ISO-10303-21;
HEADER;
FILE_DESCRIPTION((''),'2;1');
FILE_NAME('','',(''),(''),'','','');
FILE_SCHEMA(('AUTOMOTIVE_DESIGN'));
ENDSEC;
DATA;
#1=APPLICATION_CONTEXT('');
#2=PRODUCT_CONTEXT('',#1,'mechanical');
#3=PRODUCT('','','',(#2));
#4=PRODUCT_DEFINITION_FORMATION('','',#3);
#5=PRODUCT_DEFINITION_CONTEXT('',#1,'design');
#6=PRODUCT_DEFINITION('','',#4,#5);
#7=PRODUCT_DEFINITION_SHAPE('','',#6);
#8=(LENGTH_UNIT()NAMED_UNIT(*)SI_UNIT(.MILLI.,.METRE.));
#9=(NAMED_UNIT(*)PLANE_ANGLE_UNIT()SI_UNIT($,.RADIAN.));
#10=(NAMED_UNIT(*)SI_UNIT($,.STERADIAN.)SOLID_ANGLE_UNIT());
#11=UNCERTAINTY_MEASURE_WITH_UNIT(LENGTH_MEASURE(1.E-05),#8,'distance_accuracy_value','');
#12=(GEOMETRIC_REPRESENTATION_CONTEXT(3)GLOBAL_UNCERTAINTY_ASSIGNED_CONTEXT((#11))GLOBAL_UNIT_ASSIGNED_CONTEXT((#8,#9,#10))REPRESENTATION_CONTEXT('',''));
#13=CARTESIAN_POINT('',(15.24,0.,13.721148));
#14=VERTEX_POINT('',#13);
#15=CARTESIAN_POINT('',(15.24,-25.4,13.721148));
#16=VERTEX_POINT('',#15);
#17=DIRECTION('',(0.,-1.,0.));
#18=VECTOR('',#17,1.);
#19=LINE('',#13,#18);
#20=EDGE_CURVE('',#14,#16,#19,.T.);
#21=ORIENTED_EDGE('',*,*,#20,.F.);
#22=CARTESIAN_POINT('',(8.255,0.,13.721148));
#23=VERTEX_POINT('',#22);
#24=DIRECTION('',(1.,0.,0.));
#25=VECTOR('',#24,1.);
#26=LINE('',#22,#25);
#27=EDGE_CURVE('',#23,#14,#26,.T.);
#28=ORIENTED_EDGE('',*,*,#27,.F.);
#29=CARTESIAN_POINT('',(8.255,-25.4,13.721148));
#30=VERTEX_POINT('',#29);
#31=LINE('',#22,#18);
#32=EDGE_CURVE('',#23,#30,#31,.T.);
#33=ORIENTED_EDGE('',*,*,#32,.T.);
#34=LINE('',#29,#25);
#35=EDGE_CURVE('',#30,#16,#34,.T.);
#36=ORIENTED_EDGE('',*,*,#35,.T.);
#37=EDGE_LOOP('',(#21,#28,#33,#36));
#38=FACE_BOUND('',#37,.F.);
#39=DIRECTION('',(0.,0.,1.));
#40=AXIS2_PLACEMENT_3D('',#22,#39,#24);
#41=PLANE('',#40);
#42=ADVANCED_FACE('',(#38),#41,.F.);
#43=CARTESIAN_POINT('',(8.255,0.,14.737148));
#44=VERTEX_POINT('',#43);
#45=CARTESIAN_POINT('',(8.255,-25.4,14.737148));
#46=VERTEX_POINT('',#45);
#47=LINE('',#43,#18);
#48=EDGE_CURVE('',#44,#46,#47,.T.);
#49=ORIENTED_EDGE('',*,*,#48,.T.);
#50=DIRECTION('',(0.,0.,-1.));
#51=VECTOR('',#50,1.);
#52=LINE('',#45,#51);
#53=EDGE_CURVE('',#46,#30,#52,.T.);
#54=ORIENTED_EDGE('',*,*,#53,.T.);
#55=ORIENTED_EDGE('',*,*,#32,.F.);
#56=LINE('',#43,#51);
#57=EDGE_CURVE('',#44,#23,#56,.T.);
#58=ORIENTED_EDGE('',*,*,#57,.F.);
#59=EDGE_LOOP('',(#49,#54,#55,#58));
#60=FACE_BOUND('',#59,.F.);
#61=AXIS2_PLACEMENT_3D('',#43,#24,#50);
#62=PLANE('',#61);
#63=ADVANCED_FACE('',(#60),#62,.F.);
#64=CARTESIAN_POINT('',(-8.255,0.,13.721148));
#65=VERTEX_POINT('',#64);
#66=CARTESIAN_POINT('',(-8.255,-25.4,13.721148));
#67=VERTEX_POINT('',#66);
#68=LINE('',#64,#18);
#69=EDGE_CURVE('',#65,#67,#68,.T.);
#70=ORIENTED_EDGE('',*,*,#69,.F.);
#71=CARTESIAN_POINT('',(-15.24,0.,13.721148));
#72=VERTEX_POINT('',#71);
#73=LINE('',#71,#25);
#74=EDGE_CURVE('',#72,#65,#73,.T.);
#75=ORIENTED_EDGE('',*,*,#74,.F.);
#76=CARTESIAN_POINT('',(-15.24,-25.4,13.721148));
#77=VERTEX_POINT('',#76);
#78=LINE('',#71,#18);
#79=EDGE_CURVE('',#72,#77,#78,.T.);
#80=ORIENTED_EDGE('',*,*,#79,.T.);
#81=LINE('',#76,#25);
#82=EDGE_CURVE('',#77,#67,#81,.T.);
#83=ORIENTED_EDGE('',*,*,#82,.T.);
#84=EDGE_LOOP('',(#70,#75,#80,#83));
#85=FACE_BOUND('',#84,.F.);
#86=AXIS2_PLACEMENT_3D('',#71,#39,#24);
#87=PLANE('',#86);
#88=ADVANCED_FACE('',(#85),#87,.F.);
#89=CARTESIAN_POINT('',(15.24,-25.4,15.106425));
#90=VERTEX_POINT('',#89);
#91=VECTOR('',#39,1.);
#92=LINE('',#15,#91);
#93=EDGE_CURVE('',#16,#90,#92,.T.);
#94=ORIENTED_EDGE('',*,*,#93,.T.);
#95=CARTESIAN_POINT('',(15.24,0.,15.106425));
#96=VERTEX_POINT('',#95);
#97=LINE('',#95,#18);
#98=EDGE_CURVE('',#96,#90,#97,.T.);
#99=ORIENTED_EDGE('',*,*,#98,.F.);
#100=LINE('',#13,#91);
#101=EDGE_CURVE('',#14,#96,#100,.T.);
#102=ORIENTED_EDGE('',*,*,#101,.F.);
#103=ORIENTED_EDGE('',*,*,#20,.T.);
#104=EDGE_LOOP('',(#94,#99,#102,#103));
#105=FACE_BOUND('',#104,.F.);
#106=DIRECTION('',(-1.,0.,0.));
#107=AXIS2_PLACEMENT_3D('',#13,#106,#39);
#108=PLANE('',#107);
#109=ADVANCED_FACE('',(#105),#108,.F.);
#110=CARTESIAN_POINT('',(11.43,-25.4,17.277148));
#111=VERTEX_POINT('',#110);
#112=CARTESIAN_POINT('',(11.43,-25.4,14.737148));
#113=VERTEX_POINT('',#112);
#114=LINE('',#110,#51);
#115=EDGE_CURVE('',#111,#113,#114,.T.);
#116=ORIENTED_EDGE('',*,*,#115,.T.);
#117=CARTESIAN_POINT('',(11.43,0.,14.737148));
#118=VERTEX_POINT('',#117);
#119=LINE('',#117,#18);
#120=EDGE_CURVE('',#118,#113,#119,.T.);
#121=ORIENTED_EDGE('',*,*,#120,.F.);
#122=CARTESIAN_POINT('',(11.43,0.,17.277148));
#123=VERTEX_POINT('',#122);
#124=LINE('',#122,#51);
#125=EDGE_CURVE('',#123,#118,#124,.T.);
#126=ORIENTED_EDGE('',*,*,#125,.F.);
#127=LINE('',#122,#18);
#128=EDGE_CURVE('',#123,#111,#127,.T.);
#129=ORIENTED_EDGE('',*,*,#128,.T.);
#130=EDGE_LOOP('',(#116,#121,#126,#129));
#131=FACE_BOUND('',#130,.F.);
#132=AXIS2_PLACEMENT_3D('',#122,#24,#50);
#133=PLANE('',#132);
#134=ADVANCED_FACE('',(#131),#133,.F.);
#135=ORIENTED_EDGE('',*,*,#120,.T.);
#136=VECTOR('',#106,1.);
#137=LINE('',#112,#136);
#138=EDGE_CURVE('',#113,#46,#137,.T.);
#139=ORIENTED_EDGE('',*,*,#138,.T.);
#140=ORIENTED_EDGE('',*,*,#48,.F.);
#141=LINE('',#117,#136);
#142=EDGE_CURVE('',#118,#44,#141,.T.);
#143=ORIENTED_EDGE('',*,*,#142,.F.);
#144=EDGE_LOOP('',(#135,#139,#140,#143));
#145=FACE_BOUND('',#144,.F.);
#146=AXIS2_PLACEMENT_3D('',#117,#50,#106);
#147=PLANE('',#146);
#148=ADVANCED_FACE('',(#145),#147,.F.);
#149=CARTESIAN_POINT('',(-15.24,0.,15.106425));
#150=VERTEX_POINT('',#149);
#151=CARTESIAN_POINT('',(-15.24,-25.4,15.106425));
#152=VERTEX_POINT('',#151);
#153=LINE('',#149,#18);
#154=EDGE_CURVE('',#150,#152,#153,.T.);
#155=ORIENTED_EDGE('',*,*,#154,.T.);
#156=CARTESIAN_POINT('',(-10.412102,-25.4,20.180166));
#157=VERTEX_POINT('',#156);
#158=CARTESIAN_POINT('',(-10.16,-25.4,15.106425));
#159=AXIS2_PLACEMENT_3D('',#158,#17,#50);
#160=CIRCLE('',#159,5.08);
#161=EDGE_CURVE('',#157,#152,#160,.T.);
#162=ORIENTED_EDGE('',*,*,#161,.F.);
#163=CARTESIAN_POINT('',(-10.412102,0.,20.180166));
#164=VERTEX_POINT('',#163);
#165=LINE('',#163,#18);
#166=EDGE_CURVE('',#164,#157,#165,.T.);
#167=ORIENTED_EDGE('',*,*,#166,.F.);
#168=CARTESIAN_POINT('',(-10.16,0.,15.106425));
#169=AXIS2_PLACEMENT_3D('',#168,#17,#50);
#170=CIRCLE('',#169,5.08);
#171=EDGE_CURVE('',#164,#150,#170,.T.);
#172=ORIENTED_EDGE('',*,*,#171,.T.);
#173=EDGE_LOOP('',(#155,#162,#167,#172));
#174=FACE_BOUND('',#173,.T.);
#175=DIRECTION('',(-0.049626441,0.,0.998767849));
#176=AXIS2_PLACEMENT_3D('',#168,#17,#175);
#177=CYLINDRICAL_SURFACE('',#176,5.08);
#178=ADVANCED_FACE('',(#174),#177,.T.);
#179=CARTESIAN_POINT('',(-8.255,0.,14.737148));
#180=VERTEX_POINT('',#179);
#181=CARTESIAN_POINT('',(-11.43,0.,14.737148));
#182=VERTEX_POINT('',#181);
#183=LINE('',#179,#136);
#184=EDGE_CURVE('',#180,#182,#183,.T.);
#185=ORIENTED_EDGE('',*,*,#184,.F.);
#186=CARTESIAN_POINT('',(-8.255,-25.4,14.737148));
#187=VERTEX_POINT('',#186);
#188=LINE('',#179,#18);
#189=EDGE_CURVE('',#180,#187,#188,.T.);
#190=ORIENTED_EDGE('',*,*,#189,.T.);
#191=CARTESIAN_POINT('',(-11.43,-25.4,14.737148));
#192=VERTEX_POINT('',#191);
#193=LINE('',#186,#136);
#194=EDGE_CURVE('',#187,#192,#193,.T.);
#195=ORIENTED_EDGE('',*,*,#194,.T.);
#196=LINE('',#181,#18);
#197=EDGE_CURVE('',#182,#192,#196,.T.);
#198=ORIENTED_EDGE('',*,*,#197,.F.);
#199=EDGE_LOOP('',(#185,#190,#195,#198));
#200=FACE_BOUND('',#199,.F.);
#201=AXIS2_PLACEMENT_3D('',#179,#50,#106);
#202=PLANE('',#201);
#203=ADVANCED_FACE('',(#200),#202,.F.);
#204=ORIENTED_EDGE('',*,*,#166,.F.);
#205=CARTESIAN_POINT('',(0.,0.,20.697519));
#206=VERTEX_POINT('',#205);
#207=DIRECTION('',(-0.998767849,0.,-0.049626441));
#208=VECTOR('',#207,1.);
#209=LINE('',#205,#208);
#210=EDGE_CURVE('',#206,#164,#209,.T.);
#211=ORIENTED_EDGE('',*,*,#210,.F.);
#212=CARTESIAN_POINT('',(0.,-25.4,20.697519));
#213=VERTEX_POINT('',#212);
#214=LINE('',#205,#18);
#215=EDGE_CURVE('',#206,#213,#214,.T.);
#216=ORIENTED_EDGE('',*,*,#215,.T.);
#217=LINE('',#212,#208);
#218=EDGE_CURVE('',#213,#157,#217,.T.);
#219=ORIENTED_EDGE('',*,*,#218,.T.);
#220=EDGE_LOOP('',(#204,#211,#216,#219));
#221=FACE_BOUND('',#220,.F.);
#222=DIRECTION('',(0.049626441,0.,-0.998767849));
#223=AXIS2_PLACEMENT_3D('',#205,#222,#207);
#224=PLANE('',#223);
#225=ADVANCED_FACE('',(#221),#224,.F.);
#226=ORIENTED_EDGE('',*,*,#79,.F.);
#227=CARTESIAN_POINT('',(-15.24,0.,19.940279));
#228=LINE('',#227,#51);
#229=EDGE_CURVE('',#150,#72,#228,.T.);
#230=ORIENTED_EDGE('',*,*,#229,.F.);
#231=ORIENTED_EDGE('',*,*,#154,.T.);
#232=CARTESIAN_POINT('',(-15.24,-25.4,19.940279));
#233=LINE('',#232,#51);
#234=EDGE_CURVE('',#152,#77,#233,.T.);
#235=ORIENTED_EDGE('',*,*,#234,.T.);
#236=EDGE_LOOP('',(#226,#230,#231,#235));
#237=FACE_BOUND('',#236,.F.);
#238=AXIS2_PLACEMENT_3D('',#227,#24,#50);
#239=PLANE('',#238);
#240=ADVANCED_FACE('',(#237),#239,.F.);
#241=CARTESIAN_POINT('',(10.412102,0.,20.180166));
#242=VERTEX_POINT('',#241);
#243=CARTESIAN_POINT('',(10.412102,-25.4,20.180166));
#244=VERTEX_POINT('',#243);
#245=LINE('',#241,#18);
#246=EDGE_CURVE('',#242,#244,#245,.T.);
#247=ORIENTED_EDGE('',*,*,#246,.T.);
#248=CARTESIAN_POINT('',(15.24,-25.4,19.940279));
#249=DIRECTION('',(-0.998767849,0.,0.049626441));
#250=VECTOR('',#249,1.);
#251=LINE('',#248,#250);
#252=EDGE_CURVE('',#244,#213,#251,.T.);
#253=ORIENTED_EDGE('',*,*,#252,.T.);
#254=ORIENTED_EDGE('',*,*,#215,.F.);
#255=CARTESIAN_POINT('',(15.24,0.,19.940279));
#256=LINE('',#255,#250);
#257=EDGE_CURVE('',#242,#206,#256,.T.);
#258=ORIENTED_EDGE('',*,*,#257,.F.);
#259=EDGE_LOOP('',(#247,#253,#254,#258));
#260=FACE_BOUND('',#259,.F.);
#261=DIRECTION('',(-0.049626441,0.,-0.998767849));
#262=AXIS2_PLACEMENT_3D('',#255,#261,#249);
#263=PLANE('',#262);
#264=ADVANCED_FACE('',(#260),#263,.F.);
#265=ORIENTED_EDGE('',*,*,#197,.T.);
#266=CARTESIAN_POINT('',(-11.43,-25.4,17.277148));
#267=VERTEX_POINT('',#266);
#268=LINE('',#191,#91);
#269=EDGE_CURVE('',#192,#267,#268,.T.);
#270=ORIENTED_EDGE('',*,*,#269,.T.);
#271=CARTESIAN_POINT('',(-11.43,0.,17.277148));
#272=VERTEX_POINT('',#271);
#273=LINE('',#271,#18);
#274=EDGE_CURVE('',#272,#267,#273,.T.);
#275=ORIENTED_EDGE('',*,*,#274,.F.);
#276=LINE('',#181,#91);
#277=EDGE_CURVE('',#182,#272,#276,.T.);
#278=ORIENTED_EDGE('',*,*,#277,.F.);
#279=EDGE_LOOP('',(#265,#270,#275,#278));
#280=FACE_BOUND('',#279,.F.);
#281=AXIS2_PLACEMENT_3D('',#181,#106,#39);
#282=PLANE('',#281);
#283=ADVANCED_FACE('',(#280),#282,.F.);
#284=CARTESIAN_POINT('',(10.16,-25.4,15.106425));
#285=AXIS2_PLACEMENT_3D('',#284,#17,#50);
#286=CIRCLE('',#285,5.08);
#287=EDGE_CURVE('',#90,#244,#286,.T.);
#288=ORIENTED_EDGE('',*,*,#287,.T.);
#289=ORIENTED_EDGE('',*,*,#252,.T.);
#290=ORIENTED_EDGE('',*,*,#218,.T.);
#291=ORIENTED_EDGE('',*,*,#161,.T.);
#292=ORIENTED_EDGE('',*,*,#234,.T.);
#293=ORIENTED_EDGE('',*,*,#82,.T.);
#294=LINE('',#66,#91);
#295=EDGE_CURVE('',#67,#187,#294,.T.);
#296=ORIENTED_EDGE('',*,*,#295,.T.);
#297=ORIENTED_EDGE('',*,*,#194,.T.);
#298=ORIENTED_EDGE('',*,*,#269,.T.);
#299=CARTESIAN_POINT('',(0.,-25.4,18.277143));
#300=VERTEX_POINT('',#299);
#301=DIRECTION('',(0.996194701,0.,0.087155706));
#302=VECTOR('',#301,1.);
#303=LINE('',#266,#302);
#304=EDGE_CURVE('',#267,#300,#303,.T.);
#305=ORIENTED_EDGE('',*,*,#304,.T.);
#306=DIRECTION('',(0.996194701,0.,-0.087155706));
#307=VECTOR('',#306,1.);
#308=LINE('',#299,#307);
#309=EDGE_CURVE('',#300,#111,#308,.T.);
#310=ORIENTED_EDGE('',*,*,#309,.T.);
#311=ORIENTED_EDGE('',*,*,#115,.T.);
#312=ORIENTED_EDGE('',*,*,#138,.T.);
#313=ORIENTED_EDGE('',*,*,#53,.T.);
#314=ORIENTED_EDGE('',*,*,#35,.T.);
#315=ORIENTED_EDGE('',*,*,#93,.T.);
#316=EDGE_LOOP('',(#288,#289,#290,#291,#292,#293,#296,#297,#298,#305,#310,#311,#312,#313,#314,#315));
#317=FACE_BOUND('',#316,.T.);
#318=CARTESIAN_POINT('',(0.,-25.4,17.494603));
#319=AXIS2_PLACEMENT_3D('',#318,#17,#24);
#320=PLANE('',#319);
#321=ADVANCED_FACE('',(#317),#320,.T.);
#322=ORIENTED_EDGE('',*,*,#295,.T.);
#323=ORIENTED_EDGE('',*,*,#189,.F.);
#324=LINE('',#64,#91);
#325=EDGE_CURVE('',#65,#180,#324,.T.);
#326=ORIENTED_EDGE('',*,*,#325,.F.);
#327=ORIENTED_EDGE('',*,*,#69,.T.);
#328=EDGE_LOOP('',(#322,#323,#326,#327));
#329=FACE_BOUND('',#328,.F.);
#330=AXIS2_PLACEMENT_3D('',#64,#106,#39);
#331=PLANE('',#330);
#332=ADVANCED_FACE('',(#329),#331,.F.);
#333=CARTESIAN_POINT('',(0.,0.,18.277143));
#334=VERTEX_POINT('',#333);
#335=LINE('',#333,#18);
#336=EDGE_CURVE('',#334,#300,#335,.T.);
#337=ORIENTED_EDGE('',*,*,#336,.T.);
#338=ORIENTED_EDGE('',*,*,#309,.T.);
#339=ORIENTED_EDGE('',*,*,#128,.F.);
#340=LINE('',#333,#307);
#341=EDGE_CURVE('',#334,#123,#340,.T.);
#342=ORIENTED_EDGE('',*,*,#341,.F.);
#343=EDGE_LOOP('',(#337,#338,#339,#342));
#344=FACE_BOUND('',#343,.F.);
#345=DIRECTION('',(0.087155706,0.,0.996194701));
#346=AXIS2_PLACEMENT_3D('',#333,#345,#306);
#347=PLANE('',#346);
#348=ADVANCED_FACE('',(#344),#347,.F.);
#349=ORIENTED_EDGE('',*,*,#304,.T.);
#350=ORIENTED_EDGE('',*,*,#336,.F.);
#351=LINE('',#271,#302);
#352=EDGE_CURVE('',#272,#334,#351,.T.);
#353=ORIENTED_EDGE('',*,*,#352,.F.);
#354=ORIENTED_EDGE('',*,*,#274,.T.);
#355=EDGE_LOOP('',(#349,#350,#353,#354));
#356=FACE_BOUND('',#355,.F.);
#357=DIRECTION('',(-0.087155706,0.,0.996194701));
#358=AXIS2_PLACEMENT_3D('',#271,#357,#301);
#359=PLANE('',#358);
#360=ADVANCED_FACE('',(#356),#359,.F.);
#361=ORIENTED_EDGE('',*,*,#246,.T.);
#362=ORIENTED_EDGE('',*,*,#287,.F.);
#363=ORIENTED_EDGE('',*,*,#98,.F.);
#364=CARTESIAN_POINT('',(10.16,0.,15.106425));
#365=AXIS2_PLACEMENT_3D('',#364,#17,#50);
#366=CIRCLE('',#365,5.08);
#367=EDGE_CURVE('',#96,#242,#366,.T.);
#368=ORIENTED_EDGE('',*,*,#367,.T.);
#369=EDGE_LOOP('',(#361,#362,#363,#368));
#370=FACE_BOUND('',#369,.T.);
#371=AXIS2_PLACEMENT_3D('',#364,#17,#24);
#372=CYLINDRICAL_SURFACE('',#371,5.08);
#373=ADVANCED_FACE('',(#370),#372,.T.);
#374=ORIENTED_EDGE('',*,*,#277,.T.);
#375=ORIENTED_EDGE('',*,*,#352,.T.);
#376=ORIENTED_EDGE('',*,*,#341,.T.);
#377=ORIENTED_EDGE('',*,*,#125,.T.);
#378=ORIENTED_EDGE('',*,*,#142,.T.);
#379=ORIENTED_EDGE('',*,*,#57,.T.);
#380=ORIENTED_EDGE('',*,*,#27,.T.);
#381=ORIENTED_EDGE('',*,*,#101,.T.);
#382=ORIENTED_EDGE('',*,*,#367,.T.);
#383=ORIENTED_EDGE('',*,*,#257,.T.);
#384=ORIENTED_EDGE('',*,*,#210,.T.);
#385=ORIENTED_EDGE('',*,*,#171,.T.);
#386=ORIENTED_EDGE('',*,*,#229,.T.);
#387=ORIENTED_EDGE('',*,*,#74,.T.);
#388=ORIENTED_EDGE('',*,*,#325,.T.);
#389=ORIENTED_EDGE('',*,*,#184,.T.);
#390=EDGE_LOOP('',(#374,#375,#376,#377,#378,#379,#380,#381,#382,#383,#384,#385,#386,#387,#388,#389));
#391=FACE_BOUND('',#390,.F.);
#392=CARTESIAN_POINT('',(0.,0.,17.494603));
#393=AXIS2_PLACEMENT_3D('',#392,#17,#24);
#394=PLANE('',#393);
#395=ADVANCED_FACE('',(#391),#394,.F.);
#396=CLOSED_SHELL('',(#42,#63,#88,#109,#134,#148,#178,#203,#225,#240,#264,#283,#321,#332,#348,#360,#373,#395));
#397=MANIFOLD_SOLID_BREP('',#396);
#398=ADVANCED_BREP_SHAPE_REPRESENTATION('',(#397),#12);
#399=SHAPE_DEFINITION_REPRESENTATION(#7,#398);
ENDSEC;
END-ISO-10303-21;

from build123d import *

# Parameters (mm, degrees)
F1_DEPTH = 25.4
F2_R     = 5.08


with BuildPart() as f1:
    # F0 (on Front) → F1 (new body)
    with BuildSketch(Plane.XZ):
        Polygon((-11.43, 14.737148), (-11.43, 17.277148), (0, 18.277143), (11.43, 17.277148), (11.43, 14.737148), (8.255, 14.737148), (8.255, 13.721148), (15.24, 13.721148), (15.24, 19.940279), (0, 20.697519), (-15.24, 19.940279), (-15.24, 13.721148), (-8.255, 13.721148), (-8.255, 14.737148), align=None)
    extrude(amount=F1_DEPTH)

    # F2
    f2_edges = [f1.edges().sort_by_distance(p)[0] for p in [
        (15.24, -12.7, 19.940279),
        (-15.24, -12.7, 19.940279),
    ]]
    fillet(f2_edges, radius=F2_R)


solid = f1.part
